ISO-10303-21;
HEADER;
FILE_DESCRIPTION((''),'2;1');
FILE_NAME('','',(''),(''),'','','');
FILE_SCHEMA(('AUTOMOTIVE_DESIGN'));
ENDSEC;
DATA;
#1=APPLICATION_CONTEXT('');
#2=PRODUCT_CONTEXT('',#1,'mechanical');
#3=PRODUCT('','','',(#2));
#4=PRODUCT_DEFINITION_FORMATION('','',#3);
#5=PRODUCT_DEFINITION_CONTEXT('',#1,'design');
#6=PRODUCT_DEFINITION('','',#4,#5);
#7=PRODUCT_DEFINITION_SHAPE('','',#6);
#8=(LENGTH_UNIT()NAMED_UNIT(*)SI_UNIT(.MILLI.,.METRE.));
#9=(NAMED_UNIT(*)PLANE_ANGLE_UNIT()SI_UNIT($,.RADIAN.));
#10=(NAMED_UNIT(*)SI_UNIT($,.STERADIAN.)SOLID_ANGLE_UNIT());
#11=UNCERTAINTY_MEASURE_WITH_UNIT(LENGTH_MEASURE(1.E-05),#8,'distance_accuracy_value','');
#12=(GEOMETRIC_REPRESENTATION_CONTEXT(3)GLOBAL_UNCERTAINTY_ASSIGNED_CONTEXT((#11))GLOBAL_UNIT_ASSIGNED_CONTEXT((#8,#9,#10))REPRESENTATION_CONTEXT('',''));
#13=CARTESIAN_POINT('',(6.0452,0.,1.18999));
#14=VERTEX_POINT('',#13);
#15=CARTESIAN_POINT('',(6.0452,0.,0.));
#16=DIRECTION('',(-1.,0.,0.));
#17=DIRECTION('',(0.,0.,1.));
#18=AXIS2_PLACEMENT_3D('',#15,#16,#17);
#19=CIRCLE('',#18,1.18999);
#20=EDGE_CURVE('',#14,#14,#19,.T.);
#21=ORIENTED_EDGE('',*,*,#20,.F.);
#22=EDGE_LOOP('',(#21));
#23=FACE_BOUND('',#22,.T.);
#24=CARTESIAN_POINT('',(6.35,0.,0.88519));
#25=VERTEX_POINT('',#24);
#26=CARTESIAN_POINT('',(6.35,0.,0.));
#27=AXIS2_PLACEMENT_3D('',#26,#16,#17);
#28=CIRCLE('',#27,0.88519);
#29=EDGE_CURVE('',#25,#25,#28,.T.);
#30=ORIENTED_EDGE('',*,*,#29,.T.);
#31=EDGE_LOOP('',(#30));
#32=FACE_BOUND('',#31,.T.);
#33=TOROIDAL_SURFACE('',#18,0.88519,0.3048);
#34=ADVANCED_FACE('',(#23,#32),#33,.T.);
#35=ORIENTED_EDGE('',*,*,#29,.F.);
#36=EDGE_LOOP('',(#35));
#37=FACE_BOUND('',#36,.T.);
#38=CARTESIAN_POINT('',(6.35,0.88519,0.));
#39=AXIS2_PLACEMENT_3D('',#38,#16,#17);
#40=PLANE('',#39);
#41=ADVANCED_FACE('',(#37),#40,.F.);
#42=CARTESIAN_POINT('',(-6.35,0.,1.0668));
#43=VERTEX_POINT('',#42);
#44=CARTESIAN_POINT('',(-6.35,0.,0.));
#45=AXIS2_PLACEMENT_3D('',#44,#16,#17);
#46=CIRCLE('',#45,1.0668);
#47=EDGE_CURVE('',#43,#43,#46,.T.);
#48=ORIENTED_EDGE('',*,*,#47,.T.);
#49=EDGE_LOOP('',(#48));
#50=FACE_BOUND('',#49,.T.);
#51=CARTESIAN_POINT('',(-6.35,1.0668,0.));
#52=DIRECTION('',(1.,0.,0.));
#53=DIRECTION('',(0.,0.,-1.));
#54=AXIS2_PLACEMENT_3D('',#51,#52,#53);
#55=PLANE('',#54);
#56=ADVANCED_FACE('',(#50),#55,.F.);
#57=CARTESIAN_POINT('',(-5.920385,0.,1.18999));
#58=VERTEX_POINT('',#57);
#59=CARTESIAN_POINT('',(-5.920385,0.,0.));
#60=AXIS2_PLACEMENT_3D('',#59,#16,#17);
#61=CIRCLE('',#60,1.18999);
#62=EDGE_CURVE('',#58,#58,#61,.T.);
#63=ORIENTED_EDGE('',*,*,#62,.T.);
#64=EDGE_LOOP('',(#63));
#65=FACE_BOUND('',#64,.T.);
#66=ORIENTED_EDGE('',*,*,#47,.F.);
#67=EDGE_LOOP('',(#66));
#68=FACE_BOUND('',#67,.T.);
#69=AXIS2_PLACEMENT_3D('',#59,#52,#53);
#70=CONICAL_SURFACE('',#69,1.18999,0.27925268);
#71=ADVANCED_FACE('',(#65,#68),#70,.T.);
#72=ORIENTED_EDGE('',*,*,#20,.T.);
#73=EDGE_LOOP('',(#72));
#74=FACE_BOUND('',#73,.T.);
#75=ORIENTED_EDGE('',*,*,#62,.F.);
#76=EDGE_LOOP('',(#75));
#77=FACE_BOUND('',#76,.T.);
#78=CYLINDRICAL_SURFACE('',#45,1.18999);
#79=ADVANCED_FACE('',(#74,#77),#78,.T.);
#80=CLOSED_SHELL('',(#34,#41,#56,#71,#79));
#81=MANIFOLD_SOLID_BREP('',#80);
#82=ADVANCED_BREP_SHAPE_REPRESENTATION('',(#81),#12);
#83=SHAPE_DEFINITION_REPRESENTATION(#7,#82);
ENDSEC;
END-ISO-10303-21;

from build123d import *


with BuildPart() as part:
    # Sketch3 → Revolve1 (revolve)
    with BuildSketch(Plane.XY, mode=Mode.PRIVATE) as revolve1_sk:
        with BuildLine():
            Line((6.35, 0.88519), (6.35, 0))
            Line((6.35, 0), (-6.35, 0))
            Line((-6.35, 0), (-6.35, 1.0668))
            Line((-6.35, 1.0668), (-5.920385415, 1.18999))
            Line((-5.920385415, 1.18999), (6.0452, 1.18999))
            ThreePointArc((6.0452, 1.18999), (6.260726147, 1.100716147), (6.35, 0.88519))
        make_face()
    revolve(revolve1_sk.sketch.rotate(Axis((-6.35, 0, 0), (1, 0, 0)), 90), axis=Axis((-6.35, 0, 0), (1, 0, 0)))


solid = part.part
